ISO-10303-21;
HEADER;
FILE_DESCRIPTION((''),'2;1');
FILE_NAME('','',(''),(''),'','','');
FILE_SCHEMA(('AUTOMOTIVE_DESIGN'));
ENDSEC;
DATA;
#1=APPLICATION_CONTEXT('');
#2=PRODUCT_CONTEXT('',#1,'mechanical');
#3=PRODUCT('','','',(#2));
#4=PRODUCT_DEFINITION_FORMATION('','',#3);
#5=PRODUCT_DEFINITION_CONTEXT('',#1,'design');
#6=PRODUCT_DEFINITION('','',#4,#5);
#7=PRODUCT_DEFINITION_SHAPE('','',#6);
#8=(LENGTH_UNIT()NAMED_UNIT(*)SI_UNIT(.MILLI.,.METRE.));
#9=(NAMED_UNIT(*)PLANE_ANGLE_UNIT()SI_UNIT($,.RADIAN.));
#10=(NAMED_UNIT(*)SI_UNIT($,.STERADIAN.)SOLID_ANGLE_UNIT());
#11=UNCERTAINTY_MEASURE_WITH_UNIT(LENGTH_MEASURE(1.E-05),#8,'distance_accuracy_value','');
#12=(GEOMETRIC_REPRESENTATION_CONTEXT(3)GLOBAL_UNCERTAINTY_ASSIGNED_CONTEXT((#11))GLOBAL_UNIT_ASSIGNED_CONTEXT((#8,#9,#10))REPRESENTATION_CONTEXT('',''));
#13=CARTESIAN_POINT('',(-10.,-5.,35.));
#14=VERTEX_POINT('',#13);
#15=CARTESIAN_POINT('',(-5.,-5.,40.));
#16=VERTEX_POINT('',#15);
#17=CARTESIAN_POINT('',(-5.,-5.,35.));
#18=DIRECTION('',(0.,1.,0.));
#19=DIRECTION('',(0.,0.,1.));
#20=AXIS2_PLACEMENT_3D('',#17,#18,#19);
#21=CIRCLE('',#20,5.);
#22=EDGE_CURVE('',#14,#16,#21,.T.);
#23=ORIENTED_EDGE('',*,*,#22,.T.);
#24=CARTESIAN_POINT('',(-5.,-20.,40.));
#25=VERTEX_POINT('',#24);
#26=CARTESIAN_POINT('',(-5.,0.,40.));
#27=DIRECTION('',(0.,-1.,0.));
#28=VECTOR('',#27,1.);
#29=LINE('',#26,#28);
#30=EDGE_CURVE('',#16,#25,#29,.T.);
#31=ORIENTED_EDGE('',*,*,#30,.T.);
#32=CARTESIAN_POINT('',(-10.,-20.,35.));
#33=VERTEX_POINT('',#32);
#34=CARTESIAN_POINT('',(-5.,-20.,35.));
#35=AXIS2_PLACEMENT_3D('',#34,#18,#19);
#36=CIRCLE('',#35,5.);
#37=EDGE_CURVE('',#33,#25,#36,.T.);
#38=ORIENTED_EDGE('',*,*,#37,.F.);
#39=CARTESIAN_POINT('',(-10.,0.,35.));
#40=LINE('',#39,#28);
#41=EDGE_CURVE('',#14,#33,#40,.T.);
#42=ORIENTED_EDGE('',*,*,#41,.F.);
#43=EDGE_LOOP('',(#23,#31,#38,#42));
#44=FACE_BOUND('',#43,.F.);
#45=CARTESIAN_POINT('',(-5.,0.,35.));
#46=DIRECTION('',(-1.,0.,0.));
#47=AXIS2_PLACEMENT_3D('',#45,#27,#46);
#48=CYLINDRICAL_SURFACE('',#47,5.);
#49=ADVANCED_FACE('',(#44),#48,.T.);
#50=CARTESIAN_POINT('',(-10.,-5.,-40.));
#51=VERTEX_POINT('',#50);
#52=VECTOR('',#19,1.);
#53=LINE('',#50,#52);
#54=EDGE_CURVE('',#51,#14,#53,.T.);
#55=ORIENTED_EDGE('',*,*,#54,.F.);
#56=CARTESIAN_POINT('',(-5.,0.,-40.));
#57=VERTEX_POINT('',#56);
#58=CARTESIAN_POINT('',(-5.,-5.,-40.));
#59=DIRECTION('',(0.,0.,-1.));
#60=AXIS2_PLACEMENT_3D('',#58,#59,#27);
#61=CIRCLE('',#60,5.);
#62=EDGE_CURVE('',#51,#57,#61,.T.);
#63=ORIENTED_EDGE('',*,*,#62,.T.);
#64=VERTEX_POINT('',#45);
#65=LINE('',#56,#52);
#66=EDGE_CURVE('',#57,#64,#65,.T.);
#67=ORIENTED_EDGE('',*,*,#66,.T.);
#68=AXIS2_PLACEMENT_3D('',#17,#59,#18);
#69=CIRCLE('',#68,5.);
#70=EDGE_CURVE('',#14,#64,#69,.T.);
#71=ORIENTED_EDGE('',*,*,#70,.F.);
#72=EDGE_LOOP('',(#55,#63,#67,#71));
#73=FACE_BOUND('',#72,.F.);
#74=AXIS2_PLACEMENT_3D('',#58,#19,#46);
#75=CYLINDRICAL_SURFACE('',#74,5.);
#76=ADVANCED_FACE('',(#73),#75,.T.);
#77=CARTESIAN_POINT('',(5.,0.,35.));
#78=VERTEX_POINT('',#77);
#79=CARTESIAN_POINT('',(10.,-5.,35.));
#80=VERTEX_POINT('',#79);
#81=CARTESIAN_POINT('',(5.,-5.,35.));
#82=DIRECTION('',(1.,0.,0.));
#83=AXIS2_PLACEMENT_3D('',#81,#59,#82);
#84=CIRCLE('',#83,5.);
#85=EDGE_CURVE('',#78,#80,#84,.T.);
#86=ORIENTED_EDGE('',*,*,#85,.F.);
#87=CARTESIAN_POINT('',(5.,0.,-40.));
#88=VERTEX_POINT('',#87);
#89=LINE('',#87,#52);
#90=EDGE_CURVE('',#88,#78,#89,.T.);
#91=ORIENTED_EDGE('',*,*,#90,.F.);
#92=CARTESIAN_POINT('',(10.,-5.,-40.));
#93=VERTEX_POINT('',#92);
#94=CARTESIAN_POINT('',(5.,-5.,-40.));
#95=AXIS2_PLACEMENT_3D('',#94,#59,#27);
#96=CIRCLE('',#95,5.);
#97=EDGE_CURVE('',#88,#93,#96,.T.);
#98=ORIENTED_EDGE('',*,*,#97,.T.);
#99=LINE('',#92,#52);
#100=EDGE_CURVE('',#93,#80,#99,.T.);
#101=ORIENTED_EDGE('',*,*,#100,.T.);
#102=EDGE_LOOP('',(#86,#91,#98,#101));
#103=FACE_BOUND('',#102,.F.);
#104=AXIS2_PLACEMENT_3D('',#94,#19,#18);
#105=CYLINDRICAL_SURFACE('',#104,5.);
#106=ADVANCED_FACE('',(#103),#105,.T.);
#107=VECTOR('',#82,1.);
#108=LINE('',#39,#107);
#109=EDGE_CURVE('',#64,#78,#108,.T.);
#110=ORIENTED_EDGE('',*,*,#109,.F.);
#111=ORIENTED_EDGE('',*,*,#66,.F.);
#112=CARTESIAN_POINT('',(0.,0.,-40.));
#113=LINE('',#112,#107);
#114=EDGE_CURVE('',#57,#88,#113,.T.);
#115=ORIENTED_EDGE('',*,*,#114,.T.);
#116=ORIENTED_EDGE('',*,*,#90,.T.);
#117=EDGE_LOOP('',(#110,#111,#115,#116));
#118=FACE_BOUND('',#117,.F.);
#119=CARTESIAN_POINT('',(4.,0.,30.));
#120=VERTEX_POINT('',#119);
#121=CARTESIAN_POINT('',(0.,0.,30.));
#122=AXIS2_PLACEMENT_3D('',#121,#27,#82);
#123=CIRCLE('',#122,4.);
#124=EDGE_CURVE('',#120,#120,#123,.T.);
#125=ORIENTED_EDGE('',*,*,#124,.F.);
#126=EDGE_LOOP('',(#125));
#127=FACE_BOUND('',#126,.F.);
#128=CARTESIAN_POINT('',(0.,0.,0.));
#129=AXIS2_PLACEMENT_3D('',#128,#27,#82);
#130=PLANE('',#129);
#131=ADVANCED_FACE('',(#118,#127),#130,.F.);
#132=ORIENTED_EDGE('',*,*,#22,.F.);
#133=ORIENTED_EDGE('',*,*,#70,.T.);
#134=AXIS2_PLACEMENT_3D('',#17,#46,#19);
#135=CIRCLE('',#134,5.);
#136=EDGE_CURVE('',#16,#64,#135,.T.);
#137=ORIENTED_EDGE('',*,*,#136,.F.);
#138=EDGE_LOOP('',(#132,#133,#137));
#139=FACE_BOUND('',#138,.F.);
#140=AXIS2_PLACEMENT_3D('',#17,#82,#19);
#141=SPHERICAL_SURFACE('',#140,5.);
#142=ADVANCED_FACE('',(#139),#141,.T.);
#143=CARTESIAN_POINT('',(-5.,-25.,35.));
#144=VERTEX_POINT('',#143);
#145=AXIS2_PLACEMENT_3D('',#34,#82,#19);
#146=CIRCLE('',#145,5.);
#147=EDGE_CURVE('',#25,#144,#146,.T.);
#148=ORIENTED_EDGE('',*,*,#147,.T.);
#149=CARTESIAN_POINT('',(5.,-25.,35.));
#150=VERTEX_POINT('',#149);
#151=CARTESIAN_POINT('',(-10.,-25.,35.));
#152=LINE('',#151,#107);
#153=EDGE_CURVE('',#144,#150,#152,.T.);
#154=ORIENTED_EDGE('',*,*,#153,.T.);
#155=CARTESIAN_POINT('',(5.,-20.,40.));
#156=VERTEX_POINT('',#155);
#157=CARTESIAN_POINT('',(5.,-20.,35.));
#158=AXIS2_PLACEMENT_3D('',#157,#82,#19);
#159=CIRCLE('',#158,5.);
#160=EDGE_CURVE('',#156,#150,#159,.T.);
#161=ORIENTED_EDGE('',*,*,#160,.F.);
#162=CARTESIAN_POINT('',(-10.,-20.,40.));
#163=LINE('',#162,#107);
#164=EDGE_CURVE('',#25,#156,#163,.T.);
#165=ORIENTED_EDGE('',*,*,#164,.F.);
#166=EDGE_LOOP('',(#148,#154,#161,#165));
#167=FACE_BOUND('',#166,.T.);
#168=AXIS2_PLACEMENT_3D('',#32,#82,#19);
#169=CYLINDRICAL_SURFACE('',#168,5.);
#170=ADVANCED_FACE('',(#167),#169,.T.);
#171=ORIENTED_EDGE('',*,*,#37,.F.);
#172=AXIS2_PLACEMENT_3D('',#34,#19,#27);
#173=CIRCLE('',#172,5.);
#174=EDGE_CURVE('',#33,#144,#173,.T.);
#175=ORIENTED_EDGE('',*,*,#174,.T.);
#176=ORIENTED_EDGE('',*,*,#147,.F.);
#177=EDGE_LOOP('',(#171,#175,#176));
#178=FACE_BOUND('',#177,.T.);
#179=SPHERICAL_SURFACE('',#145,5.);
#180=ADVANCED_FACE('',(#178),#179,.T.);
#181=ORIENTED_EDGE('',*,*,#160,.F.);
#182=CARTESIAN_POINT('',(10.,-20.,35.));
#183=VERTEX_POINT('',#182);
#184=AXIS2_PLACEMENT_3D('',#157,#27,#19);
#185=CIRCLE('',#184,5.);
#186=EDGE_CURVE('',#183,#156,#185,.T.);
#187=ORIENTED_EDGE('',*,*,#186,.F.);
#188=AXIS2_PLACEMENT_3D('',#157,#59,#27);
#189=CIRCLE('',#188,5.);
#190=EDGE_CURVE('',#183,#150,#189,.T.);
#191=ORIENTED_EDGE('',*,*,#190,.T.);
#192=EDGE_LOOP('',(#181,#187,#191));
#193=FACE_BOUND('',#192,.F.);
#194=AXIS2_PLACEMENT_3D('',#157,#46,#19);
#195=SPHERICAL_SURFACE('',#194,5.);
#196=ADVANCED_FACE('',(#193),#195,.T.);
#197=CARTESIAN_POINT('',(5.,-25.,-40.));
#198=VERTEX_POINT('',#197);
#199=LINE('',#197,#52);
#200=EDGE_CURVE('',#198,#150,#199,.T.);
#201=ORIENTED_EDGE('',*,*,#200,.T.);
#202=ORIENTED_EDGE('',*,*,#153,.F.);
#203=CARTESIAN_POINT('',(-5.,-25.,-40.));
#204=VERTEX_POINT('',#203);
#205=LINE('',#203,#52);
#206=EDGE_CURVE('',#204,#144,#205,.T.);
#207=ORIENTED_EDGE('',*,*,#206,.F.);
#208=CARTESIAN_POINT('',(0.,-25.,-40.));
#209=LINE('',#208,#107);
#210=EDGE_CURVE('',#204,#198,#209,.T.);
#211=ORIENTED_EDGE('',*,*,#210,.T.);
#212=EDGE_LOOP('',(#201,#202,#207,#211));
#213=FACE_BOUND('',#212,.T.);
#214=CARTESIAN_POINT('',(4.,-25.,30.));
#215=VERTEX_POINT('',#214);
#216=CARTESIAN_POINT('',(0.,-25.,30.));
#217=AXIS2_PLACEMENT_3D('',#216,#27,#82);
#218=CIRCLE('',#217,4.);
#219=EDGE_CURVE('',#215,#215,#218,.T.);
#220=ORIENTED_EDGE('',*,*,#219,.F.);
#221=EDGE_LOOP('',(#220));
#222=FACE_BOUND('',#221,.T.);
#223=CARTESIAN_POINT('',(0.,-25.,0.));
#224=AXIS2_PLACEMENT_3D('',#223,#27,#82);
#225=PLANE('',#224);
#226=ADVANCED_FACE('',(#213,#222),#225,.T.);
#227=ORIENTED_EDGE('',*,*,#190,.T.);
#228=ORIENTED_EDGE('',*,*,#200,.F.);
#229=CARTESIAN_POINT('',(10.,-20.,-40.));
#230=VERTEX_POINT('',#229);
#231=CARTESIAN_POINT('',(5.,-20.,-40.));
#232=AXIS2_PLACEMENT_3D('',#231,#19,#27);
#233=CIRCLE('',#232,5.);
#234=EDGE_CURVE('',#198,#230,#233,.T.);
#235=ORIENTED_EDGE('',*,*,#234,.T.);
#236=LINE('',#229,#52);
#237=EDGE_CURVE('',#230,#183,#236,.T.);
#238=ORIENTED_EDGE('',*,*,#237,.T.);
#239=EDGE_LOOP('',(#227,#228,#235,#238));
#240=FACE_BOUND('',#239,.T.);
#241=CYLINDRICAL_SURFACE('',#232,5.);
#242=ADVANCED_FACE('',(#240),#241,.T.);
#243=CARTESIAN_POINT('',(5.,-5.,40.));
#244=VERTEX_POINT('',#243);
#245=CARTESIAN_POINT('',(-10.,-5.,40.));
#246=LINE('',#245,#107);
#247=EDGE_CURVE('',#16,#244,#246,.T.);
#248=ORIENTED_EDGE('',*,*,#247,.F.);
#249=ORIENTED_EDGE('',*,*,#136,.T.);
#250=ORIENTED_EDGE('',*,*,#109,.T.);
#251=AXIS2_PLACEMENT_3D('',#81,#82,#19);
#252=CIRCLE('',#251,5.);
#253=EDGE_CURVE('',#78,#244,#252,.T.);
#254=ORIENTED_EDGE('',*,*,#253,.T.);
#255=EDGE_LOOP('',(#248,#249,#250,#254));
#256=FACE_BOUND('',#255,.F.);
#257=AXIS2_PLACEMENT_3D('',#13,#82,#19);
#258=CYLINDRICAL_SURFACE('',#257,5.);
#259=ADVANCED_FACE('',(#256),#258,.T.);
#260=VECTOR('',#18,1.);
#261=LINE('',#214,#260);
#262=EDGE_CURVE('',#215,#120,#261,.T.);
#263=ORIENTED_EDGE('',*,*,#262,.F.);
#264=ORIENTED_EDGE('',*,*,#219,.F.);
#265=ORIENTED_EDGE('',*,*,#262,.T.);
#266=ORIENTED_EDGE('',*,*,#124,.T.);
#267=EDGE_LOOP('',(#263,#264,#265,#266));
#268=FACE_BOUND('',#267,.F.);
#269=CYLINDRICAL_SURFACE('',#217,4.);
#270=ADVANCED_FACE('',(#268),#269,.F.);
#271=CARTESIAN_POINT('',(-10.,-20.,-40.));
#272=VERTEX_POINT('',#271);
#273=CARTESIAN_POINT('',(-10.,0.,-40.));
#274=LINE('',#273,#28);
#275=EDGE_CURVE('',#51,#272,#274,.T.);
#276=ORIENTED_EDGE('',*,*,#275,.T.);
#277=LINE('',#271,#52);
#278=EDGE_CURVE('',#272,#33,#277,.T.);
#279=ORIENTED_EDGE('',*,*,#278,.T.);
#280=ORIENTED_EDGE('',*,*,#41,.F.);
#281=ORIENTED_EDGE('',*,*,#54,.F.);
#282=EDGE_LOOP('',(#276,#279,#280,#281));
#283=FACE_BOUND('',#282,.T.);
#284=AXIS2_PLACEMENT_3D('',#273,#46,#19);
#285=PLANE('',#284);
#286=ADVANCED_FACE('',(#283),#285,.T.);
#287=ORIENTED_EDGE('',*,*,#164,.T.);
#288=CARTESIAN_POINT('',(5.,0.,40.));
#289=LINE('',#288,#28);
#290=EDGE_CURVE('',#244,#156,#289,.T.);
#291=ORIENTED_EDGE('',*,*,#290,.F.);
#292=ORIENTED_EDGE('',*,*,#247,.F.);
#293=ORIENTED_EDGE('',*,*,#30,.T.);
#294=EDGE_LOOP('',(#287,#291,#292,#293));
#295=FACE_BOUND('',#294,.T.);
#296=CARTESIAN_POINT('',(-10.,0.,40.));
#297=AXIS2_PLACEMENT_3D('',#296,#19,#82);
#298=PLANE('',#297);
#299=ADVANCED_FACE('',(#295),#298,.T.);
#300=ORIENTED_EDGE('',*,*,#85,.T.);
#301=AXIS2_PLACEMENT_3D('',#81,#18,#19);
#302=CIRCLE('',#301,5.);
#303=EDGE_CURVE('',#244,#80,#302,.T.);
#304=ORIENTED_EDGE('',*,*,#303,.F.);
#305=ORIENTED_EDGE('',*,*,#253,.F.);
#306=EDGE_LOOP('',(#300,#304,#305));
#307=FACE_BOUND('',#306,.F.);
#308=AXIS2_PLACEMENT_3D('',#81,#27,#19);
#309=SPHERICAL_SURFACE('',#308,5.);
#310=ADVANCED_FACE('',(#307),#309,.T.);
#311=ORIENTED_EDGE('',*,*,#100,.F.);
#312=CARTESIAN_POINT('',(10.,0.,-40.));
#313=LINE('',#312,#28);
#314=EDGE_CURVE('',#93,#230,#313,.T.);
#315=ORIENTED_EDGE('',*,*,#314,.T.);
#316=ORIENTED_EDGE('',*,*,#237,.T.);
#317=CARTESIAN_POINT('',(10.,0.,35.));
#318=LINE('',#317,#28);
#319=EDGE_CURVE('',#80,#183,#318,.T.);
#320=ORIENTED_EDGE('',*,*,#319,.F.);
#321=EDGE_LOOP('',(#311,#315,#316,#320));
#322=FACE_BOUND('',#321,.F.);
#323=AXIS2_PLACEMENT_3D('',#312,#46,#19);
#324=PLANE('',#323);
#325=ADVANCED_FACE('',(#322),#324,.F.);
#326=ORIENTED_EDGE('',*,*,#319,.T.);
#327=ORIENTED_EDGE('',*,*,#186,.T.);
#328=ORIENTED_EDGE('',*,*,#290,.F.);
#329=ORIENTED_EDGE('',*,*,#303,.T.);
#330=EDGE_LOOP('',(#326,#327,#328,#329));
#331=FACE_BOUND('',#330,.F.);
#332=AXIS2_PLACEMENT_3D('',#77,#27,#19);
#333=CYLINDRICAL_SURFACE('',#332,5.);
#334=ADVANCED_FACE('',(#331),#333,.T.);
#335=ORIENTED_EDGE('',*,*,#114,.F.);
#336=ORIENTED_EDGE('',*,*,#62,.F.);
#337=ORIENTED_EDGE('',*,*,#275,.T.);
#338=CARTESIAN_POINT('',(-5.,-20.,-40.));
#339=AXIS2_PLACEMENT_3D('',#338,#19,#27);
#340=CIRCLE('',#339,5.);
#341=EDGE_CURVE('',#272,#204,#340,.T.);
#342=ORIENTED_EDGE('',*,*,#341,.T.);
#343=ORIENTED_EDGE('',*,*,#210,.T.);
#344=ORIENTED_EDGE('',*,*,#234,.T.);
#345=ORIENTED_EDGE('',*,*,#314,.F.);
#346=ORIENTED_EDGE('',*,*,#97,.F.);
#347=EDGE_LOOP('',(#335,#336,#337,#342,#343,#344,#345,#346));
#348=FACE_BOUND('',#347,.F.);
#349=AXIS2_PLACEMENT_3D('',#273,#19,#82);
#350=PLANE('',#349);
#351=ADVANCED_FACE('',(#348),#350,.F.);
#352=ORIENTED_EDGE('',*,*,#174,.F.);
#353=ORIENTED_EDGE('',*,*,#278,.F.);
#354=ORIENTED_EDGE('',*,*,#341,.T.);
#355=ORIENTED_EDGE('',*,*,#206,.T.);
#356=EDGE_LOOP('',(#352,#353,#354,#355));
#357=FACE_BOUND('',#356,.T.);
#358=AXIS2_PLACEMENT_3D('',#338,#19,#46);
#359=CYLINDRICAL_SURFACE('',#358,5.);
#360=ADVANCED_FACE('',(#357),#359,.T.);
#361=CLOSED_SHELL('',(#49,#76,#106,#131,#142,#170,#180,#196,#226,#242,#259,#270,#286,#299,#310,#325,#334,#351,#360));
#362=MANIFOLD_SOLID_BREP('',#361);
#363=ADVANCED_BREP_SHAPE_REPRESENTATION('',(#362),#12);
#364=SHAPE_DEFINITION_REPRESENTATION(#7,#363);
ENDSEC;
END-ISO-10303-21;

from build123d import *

# Parameters (mm, degrees)
F0_W     = 20
F0_H     = 80
F1_DEPTH = 25
F2_R     = 4
F3_DEPTH = 25
F4_R     = 5


with BuildPart() as f1:
    # F0 (on Front) → F1 (new body)
    with BuildSketch(Plane.XZ):
        Rectangle(F0_W, F0_H)
    extrude(amount=F1_DEPTH)

    # F2 (on face) → F3 (cut)
    with BuildSketch(Plane.XZ.offset(25)):
        with Locations((0, 30)):
            Circle(F2_R)
    extrude(amount=-F3_DEPTH, mode=Mode.SUBTRACT)

    # F4
    f4_edges = [f1.edges().sort_by_distance(p)[0] for p in [
        (0, -25, 40),
        (10, -12.5, 40),
        (0, 0, 40),
        (-10, -12.5, 40),
        (10, -25, 0),
        (-10, 0, 0),
        (10, 0, 0),
        (-10, -25, 0),
    ]]
    fillet(f4_edges, radius=F4_R)


solid = f1.part
